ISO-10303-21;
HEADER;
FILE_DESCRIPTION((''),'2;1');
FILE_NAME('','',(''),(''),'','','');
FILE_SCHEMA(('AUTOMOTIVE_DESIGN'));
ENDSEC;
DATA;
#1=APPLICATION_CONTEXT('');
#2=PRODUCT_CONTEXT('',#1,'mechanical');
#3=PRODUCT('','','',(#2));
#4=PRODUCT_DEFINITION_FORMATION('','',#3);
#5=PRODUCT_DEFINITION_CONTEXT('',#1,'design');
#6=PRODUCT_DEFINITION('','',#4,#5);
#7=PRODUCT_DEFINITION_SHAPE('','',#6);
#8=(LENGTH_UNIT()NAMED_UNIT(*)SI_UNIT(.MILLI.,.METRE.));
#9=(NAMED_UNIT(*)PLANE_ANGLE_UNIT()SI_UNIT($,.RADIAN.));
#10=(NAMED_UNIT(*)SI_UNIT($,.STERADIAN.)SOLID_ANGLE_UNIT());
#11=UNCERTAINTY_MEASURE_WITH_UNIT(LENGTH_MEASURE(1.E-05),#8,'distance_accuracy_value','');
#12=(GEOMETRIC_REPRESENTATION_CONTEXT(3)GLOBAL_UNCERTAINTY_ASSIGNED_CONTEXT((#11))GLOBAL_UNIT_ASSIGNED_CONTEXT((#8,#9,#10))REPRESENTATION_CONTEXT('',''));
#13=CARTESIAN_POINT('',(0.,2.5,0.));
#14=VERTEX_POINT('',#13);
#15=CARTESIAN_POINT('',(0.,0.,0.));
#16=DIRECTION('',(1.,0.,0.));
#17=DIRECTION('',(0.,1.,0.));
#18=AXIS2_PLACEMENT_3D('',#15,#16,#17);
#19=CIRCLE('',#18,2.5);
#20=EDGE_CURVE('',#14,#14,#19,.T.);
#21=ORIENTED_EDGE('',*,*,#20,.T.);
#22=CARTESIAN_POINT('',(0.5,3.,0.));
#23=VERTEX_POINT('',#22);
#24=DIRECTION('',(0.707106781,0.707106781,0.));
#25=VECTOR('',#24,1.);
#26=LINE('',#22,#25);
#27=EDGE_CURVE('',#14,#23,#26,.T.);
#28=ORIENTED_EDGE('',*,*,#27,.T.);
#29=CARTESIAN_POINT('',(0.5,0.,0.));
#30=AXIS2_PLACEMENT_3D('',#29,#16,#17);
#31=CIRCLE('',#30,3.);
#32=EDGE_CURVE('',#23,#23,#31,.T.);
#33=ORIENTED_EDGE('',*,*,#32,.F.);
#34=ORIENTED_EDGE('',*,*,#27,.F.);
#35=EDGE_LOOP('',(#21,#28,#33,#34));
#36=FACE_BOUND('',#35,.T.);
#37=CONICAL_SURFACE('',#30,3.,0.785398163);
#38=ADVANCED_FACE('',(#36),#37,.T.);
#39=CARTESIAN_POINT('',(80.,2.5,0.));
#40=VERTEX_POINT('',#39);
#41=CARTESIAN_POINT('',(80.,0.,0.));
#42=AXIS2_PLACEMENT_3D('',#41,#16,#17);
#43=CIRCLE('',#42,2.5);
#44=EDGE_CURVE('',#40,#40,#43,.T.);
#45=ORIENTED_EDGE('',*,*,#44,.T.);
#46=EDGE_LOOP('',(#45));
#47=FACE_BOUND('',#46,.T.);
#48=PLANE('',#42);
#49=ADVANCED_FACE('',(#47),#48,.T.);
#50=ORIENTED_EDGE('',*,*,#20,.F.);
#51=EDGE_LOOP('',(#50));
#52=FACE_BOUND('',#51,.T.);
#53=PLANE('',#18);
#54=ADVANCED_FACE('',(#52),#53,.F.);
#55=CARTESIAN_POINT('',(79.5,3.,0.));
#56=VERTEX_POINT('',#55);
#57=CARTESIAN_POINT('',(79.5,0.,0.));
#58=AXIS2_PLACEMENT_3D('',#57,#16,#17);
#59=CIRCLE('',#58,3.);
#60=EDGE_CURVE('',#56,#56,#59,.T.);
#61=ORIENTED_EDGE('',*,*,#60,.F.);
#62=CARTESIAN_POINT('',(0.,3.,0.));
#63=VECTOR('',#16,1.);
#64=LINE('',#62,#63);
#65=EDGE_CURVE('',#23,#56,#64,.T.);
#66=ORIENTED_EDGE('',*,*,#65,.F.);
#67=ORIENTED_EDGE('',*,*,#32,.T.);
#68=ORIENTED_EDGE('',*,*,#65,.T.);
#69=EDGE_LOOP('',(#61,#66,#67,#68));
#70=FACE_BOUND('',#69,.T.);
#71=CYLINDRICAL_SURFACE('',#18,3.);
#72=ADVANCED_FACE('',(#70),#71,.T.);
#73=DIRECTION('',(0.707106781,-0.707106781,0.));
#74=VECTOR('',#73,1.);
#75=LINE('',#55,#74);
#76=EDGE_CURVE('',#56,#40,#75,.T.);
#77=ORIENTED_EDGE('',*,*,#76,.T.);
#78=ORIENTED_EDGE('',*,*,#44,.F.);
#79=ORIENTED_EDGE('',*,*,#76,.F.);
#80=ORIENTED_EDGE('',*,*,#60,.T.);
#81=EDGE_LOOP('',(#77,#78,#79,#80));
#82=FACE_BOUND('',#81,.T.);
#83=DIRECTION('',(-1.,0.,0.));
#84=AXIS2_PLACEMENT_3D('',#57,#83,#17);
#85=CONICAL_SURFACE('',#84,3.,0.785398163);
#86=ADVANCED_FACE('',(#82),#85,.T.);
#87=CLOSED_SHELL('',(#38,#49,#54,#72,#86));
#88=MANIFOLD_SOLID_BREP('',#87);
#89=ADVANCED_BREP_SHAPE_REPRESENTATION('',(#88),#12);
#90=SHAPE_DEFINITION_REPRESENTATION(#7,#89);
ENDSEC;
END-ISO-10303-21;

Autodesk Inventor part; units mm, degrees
ref_plane "Start Plane" through (0, 0, 0) normal (1, 0, 0) x (0, 1, 0)
ref_plane "XZ Plane" through (0, 0, 0) normal (0, 1, 0) x (-1, 0, 0)
ref_plane "XY Plane" through (0, 0, 0) normal (0, 0, 1) x (1, 0, 0)
sketch "Main Sketch" plane through (0, 0, 0) normal (0, 0, 1) x (1, 0, 0)
  line L0 (0, 0) -> (80, 0)
  line L1 (0, 0) -> (0, 3)
  line L2 (80, 3) -> (80, 0)
  line L3 (0, 3) -> (80, 3)
  dimension "d3" = 6
revolve "Revolution1" add sketch "Main Sketch" angle 360 about axis through (0, 0, 0) along (1, 0, 0)
chamfer "Chamfer1" distance 0.5 angle 45 1 edges at (0, -3, 0) measured on face at (53.3333, 2.9612, -0.4812)
chamfer "Chamfer2" distance 0.5 angle 45 1 edges at (80, -3, 0) measured on face at (53.5, 2.9903, -0.2414)
properties part number "Shaft" material "Steel"
